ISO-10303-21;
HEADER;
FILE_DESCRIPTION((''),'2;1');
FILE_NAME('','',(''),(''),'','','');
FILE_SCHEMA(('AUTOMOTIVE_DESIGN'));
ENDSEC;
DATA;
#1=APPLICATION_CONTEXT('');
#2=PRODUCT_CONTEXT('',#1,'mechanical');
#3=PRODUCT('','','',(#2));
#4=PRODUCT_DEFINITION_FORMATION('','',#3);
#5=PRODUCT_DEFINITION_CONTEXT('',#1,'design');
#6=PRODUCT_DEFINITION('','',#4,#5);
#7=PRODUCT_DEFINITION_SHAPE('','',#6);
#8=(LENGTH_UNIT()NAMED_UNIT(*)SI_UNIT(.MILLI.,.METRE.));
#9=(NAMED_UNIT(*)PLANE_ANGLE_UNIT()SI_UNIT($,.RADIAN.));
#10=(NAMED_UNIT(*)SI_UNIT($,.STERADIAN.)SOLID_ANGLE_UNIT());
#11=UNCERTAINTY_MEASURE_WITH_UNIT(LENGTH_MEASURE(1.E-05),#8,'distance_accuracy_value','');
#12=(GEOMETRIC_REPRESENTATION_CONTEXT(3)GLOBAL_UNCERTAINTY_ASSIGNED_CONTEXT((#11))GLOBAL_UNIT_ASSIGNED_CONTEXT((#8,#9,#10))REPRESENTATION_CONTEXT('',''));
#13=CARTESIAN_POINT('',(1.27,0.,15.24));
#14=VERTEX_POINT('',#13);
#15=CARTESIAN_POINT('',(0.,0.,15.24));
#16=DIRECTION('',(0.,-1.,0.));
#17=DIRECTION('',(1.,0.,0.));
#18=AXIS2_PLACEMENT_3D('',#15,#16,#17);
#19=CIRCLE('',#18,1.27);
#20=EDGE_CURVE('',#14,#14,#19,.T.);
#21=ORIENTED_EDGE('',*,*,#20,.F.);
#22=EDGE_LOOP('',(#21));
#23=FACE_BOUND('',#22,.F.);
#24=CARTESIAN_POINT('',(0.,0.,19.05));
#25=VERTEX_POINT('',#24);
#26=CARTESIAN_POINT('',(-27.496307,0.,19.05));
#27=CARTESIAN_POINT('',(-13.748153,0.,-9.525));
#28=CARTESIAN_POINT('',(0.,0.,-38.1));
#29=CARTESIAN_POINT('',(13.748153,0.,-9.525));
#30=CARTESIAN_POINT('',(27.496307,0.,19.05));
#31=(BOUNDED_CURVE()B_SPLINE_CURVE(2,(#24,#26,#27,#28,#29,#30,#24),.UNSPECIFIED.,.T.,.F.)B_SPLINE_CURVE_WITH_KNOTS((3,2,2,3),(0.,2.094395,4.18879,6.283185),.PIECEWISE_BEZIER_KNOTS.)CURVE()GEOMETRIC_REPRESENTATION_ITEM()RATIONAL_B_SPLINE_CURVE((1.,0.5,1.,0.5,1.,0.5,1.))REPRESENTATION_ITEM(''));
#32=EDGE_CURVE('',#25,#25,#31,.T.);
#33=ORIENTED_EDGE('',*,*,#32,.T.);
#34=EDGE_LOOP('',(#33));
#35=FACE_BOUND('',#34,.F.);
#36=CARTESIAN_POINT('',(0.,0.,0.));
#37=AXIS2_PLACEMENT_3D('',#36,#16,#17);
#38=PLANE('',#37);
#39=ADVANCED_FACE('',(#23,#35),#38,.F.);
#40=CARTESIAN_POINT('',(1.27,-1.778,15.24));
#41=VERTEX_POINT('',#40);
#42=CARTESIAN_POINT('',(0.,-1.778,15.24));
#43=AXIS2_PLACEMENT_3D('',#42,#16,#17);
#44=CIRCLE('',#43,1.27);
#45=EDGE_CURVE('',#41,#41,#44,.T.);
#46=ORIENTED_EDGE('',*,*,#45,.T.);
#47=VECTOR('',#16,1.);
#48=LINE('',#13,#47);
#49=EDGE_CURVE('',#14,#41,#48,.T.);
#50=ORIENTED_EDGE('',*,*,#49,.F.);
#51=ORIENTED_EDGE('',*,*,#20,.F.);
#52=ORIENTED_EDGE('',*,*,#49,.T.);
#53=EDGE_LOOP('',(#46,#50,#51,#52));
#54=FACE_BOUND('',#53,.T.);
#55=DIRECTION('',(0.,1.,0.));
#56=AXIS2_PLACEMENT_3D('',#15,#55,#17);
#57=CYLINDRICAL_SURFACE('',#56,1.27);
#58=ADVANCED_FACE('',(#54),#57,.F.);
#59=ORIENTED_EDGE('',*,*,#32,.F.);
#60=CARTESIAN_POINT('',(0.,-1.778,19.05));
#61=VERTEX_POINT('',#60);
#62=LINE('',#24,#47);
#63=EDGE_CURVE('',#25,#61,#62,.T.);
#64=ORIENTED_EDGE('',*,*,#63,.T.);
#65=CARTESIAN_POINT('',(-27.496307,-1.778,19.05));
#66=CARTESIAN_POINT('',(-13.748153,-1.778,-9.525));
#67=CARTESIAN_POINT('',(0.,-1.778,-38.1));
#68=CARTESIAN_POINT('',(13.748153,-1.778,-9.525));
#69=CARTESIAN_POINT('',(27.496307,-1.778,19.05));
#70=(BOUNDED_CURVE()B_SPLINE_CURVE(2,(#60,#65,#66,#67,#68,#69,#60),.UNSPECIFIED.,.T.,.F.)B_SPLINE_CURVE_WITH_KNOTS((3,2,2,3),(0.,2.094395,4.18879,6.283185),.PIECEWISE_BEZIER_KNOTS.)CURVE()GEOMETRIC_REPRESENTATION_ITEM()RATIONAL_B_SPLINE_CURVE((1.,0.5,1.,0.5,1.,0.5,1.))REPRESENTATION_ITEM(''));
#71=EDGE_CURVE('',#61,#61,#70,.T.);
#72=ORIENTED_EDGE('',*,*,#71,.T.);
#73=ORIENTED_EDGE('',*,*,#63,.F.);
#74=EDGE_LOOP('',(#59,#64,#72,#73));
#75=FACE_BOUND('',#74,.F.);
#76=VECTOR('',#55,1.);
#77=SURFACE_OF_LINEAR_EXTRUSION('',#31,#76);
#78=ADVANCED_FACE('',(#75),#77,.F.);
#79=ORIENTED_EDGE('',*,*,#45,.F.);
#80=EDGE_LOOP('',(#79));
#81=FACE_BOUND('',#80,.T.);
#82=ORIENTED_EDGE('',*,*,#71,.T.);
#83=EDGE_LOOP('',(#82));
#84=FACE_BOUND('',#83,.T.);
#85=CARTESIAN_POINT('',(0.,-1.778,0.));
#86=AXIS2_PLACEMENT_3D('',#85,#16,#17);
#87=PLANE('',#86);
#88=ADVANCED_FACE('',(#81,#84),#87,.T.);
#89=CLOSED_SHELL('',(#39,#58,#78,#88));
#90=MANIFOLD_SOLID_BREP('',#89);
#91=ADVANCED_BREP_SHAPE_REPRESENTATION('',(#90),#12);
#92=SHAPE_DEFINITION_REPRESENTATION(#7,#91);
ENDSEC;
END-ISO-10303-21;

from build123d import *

# Parameters (mm, degrees)
F0_R     = 1.27
F1_DEPTH = 1.778


with BuildPart() as f1:
    # F0 (on Front) → F1 (new body)
    with BuildSketch(Plane.XZ):
        with BuildLine():
            add(Edge.make_bspline(
                [(0, 19.05), (-27.496307, 19.05), (-13.748153, -9.525), (0, -38.1), (13.748153, -9.525), (27.496307, 19.05), (0, 19.05)],
                knots=[0, 0, 0, 2.094395, 2.094395, 4.18879, 4.18879, 6.283185, 6.283185, 6.283185], degree=2, weights=[1, 0.5, 1, 0.5, 1, 0.5, 1]))
        make_face()
        with Locations((0, 15.24)):
            Circle(F0_R, mode=Mode.SUBTRACT)
    extrude(amount=F1_DEPTH)


solid = f1.part
